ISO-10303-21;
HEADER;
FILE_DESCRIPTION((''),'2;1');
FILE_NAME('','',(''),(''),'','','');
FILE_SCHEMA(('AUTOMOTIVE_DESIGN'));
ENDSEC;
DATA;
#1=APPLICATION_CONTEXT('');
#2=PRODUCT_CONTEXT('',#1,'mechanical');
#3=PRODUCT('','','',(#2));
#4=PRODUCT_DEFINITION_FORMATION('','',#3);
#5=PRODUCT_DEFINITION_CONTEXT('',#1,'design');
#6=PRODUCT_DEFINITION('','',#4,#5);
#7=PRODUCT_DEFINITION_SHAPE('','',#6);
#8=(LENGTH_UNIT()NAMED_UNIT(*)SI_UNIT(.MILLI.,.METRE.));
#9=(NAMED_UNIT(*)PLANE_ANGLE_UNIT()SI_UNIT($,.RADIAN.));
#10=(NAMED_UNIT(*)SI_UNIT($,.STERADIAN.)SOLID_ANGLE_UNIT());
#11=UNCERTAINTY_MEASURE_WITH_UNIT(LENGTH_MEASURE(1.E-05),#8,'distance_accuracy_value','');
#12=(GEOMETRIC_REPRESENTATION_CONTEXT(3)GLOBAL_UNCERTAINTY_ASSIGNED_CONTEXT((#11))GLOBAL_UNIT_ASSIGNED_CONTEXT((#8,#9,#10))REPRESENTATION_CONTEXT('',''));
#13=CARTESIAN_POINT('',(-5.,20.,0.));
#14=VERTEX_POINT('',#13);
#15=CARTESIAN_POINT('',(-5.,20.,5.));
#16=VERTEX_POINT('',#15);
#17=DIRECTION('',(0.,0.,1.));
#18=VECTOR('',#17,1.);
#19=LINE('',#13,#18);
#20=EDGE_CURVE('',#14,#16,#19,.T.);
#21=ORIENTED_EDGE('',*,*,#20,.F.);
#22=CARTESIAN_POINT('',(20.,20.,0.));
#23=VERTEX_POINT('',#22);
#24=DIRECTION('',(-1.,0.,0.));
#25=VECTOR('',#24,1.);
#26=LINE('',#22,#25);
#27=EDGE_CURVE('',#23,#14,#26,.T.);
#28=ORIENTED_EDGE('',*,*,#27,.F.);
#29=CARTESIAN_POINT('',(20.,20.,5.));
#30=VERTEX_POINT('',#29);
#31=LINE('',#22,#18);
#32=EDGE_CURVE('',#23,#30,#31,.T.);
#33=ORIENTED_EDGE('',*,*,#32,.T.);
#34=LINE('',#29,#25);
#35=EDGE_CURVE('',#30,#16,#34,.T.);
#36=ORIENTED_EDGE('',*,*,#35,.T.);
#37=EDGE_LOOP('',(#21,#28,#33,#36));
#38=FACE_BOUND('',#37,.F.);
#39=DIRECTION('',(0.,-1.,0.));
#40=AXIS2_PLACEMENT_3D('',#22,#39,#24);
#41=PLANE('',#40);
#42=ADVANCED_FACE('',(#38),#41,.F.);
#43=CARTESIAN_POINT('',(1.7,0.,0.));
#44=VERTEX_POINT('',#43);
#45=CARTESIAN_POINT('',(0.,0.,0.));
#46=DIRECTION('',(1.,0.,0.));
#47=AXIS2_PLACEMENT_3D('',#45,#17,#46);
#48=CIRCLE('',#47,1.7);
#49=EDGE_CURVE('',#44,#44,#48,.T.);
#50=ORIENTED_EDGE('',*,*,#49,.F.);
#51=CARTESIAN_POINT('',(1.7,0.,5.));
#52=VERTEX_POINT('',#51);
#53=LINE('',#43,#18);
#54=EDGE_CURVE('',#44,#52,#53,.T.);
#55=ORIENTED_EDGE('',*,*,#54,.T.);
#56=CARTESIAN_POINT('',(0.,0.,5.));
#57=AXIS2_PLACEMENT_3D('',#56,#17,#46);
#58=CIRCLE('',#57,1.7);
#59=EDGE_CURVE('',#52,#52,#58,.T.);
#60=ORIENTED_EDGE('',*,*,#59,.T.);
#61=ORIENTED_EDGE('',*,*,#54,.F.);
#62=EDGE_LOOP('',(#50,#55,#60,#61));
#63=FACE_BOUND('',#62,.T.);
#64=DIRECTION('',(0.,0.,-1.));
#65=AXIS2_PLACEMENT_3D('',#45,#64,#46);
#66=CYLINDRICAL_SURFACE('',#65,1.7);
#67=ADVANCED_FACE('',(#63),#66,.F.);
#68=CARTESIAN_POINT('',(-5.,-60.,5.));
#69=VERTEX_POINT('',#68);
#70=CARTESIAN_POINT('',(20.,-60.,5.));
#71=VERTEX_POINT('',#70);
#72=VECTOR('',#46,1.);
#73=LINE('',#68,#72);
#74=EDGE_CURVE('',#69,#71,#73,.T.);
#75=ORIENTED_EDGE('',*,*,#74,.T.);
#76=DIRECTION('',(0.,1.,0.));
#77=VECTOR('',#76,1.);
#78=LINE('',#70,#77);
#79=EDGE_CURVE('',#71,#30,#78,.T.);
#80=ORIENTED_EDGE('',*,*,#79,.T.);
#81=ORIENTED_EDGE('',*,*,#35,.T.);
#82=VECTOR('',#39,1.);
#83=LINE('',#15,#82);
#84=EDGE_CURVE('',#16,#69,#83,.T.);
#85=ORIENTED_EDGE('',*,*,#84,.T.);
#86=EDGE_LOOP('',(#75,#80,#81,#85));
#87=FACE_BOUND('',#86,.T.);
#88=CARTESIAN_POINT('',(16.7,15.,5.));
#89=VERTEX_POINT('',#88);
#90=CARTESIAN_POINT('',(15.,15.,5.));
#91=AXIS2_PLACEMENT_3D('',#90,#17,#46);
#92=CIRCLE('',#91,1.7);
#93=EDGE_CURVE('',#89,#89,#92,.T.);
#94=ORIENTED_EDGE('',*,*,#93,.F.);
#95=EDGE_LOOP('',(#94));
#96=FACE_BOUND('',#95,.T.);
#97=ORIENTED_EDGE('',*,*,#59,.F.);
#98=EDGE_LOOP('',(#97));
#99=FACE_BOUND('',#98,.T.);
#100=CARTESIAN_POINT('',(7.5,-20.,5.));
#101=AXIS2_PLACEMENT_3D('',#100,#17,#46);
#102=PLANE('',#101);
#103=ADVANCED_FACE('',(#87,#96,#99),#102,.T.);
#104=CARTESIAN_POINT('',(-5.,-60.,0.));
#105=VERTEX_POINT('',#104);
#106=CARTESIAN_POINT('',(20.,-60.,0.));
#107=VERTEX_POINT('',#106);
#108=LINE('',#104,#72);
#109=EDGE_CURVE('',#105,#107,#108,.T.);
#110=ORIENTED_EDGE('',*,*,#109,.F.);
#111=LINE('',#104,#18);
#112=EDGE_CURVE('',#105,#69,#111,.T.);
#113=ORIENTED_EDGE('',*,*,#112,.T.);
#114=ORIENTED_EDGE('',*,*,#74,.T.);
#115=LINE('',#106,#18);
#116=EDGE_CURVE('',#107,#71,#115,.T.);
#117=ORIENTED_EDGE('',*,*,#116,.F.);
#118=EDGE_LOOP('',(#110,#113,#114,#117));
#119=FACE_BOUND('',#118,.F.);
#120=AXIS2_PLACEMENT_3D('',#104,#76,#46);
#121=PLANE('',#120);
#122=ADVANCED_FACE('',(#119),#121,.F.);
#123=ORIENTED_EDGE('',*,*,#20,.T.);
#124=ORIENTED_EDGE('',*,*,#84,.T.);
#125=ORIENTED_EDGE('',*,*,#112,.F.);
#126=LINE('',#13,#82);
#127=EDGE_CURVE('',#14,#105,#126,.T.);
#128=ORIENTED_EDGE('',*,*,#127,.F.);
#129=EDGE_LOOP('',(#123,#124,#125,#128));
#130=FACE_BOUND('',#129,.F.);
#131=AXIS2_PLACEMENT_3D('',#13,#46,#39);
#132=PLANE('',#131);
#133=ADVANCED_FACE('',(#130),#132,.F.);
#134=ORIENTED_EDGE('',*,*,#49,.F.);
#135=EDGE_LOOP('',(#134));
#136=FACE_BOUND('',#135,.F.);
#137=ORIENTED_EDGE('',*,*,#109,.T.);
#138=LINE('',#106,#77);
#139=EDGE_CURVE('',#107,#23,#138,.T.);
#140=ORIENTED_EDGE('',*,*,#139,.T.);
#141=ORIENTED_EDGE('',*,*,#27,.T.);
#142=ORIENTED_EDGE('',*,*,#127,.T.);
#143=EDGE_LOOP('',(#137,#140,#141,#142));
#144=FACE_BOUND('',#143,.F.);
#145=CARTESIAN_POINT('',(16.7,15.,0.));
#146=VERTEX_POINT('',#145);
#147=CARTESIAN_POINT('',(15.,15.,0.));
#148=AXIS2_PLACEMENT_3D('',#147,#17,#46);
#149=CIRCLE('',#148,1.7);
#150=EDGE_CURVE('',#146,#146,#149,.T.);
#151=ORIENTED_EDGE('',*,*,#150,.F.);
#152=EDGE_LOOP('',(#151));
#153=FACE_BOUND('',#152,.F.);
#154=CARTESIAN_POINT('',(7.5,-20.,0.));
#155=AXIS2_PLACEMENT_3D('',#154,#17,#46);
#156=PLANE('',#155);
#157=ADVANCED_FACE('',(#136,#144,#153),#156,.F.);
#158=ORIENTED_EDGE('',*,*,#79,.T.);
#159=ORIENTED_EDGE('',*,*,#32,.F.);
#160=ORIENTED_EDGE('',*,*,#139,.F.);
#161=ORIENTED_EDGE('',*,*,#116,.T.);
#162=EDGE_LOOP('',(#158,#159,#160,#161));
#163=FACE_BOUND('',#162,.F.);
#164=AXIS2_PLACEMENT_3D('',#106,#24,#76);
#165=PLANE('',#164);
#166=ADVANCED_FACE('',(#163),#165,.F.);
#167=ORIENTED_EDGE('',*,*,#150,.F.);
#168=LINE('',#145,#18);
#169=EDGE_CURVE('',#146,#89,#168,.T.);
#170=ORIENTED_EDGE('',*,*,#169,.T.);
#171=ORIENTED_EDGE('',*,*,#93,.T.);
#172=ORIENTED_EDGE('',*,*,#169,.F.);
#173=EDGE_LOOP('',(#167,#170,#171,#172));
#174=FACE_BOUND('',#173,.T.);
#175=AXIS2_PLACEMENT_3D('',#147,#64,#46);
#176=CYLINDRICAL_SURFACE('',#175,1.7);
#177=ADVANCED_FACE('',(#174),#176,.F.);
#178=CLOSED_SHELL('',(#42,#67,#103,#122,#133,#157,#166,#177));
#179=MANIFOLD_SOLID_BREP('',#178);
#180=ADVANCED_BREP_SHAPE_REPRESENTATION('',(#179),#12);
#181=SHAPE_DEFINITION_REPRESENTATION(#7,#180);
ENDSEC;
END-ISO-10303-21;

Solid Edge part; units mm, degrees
sketch "Sketch1" plane through (0, 0, 0) normal (0, 0, 1) x (1, 0, 0)
  circle A0 centre (15, 15) radius 1.7
  line L0 (-5, -60) -> (20, -60)
  line L1 (20, -60) -> (20, 20)
  line L2 (20, 20) -> (-5, 20)
  line L3 (-5, 20) -> (-5, -60)
  circle A1 centre (0, 0) radius 1.7
  dimension "D1" = 15
  dimension "D2" = 15
  dimension "D3" = 3.4
  dimension "D4" = 3.4
  dimension "D5" = 5
  dimension "D6" = 5
  dimension "D7" = 5
  dimension "D8" = 80
extrude "Protrusion1" add sketch "Sketch1" along normal blind 5
properties material "Steel"
